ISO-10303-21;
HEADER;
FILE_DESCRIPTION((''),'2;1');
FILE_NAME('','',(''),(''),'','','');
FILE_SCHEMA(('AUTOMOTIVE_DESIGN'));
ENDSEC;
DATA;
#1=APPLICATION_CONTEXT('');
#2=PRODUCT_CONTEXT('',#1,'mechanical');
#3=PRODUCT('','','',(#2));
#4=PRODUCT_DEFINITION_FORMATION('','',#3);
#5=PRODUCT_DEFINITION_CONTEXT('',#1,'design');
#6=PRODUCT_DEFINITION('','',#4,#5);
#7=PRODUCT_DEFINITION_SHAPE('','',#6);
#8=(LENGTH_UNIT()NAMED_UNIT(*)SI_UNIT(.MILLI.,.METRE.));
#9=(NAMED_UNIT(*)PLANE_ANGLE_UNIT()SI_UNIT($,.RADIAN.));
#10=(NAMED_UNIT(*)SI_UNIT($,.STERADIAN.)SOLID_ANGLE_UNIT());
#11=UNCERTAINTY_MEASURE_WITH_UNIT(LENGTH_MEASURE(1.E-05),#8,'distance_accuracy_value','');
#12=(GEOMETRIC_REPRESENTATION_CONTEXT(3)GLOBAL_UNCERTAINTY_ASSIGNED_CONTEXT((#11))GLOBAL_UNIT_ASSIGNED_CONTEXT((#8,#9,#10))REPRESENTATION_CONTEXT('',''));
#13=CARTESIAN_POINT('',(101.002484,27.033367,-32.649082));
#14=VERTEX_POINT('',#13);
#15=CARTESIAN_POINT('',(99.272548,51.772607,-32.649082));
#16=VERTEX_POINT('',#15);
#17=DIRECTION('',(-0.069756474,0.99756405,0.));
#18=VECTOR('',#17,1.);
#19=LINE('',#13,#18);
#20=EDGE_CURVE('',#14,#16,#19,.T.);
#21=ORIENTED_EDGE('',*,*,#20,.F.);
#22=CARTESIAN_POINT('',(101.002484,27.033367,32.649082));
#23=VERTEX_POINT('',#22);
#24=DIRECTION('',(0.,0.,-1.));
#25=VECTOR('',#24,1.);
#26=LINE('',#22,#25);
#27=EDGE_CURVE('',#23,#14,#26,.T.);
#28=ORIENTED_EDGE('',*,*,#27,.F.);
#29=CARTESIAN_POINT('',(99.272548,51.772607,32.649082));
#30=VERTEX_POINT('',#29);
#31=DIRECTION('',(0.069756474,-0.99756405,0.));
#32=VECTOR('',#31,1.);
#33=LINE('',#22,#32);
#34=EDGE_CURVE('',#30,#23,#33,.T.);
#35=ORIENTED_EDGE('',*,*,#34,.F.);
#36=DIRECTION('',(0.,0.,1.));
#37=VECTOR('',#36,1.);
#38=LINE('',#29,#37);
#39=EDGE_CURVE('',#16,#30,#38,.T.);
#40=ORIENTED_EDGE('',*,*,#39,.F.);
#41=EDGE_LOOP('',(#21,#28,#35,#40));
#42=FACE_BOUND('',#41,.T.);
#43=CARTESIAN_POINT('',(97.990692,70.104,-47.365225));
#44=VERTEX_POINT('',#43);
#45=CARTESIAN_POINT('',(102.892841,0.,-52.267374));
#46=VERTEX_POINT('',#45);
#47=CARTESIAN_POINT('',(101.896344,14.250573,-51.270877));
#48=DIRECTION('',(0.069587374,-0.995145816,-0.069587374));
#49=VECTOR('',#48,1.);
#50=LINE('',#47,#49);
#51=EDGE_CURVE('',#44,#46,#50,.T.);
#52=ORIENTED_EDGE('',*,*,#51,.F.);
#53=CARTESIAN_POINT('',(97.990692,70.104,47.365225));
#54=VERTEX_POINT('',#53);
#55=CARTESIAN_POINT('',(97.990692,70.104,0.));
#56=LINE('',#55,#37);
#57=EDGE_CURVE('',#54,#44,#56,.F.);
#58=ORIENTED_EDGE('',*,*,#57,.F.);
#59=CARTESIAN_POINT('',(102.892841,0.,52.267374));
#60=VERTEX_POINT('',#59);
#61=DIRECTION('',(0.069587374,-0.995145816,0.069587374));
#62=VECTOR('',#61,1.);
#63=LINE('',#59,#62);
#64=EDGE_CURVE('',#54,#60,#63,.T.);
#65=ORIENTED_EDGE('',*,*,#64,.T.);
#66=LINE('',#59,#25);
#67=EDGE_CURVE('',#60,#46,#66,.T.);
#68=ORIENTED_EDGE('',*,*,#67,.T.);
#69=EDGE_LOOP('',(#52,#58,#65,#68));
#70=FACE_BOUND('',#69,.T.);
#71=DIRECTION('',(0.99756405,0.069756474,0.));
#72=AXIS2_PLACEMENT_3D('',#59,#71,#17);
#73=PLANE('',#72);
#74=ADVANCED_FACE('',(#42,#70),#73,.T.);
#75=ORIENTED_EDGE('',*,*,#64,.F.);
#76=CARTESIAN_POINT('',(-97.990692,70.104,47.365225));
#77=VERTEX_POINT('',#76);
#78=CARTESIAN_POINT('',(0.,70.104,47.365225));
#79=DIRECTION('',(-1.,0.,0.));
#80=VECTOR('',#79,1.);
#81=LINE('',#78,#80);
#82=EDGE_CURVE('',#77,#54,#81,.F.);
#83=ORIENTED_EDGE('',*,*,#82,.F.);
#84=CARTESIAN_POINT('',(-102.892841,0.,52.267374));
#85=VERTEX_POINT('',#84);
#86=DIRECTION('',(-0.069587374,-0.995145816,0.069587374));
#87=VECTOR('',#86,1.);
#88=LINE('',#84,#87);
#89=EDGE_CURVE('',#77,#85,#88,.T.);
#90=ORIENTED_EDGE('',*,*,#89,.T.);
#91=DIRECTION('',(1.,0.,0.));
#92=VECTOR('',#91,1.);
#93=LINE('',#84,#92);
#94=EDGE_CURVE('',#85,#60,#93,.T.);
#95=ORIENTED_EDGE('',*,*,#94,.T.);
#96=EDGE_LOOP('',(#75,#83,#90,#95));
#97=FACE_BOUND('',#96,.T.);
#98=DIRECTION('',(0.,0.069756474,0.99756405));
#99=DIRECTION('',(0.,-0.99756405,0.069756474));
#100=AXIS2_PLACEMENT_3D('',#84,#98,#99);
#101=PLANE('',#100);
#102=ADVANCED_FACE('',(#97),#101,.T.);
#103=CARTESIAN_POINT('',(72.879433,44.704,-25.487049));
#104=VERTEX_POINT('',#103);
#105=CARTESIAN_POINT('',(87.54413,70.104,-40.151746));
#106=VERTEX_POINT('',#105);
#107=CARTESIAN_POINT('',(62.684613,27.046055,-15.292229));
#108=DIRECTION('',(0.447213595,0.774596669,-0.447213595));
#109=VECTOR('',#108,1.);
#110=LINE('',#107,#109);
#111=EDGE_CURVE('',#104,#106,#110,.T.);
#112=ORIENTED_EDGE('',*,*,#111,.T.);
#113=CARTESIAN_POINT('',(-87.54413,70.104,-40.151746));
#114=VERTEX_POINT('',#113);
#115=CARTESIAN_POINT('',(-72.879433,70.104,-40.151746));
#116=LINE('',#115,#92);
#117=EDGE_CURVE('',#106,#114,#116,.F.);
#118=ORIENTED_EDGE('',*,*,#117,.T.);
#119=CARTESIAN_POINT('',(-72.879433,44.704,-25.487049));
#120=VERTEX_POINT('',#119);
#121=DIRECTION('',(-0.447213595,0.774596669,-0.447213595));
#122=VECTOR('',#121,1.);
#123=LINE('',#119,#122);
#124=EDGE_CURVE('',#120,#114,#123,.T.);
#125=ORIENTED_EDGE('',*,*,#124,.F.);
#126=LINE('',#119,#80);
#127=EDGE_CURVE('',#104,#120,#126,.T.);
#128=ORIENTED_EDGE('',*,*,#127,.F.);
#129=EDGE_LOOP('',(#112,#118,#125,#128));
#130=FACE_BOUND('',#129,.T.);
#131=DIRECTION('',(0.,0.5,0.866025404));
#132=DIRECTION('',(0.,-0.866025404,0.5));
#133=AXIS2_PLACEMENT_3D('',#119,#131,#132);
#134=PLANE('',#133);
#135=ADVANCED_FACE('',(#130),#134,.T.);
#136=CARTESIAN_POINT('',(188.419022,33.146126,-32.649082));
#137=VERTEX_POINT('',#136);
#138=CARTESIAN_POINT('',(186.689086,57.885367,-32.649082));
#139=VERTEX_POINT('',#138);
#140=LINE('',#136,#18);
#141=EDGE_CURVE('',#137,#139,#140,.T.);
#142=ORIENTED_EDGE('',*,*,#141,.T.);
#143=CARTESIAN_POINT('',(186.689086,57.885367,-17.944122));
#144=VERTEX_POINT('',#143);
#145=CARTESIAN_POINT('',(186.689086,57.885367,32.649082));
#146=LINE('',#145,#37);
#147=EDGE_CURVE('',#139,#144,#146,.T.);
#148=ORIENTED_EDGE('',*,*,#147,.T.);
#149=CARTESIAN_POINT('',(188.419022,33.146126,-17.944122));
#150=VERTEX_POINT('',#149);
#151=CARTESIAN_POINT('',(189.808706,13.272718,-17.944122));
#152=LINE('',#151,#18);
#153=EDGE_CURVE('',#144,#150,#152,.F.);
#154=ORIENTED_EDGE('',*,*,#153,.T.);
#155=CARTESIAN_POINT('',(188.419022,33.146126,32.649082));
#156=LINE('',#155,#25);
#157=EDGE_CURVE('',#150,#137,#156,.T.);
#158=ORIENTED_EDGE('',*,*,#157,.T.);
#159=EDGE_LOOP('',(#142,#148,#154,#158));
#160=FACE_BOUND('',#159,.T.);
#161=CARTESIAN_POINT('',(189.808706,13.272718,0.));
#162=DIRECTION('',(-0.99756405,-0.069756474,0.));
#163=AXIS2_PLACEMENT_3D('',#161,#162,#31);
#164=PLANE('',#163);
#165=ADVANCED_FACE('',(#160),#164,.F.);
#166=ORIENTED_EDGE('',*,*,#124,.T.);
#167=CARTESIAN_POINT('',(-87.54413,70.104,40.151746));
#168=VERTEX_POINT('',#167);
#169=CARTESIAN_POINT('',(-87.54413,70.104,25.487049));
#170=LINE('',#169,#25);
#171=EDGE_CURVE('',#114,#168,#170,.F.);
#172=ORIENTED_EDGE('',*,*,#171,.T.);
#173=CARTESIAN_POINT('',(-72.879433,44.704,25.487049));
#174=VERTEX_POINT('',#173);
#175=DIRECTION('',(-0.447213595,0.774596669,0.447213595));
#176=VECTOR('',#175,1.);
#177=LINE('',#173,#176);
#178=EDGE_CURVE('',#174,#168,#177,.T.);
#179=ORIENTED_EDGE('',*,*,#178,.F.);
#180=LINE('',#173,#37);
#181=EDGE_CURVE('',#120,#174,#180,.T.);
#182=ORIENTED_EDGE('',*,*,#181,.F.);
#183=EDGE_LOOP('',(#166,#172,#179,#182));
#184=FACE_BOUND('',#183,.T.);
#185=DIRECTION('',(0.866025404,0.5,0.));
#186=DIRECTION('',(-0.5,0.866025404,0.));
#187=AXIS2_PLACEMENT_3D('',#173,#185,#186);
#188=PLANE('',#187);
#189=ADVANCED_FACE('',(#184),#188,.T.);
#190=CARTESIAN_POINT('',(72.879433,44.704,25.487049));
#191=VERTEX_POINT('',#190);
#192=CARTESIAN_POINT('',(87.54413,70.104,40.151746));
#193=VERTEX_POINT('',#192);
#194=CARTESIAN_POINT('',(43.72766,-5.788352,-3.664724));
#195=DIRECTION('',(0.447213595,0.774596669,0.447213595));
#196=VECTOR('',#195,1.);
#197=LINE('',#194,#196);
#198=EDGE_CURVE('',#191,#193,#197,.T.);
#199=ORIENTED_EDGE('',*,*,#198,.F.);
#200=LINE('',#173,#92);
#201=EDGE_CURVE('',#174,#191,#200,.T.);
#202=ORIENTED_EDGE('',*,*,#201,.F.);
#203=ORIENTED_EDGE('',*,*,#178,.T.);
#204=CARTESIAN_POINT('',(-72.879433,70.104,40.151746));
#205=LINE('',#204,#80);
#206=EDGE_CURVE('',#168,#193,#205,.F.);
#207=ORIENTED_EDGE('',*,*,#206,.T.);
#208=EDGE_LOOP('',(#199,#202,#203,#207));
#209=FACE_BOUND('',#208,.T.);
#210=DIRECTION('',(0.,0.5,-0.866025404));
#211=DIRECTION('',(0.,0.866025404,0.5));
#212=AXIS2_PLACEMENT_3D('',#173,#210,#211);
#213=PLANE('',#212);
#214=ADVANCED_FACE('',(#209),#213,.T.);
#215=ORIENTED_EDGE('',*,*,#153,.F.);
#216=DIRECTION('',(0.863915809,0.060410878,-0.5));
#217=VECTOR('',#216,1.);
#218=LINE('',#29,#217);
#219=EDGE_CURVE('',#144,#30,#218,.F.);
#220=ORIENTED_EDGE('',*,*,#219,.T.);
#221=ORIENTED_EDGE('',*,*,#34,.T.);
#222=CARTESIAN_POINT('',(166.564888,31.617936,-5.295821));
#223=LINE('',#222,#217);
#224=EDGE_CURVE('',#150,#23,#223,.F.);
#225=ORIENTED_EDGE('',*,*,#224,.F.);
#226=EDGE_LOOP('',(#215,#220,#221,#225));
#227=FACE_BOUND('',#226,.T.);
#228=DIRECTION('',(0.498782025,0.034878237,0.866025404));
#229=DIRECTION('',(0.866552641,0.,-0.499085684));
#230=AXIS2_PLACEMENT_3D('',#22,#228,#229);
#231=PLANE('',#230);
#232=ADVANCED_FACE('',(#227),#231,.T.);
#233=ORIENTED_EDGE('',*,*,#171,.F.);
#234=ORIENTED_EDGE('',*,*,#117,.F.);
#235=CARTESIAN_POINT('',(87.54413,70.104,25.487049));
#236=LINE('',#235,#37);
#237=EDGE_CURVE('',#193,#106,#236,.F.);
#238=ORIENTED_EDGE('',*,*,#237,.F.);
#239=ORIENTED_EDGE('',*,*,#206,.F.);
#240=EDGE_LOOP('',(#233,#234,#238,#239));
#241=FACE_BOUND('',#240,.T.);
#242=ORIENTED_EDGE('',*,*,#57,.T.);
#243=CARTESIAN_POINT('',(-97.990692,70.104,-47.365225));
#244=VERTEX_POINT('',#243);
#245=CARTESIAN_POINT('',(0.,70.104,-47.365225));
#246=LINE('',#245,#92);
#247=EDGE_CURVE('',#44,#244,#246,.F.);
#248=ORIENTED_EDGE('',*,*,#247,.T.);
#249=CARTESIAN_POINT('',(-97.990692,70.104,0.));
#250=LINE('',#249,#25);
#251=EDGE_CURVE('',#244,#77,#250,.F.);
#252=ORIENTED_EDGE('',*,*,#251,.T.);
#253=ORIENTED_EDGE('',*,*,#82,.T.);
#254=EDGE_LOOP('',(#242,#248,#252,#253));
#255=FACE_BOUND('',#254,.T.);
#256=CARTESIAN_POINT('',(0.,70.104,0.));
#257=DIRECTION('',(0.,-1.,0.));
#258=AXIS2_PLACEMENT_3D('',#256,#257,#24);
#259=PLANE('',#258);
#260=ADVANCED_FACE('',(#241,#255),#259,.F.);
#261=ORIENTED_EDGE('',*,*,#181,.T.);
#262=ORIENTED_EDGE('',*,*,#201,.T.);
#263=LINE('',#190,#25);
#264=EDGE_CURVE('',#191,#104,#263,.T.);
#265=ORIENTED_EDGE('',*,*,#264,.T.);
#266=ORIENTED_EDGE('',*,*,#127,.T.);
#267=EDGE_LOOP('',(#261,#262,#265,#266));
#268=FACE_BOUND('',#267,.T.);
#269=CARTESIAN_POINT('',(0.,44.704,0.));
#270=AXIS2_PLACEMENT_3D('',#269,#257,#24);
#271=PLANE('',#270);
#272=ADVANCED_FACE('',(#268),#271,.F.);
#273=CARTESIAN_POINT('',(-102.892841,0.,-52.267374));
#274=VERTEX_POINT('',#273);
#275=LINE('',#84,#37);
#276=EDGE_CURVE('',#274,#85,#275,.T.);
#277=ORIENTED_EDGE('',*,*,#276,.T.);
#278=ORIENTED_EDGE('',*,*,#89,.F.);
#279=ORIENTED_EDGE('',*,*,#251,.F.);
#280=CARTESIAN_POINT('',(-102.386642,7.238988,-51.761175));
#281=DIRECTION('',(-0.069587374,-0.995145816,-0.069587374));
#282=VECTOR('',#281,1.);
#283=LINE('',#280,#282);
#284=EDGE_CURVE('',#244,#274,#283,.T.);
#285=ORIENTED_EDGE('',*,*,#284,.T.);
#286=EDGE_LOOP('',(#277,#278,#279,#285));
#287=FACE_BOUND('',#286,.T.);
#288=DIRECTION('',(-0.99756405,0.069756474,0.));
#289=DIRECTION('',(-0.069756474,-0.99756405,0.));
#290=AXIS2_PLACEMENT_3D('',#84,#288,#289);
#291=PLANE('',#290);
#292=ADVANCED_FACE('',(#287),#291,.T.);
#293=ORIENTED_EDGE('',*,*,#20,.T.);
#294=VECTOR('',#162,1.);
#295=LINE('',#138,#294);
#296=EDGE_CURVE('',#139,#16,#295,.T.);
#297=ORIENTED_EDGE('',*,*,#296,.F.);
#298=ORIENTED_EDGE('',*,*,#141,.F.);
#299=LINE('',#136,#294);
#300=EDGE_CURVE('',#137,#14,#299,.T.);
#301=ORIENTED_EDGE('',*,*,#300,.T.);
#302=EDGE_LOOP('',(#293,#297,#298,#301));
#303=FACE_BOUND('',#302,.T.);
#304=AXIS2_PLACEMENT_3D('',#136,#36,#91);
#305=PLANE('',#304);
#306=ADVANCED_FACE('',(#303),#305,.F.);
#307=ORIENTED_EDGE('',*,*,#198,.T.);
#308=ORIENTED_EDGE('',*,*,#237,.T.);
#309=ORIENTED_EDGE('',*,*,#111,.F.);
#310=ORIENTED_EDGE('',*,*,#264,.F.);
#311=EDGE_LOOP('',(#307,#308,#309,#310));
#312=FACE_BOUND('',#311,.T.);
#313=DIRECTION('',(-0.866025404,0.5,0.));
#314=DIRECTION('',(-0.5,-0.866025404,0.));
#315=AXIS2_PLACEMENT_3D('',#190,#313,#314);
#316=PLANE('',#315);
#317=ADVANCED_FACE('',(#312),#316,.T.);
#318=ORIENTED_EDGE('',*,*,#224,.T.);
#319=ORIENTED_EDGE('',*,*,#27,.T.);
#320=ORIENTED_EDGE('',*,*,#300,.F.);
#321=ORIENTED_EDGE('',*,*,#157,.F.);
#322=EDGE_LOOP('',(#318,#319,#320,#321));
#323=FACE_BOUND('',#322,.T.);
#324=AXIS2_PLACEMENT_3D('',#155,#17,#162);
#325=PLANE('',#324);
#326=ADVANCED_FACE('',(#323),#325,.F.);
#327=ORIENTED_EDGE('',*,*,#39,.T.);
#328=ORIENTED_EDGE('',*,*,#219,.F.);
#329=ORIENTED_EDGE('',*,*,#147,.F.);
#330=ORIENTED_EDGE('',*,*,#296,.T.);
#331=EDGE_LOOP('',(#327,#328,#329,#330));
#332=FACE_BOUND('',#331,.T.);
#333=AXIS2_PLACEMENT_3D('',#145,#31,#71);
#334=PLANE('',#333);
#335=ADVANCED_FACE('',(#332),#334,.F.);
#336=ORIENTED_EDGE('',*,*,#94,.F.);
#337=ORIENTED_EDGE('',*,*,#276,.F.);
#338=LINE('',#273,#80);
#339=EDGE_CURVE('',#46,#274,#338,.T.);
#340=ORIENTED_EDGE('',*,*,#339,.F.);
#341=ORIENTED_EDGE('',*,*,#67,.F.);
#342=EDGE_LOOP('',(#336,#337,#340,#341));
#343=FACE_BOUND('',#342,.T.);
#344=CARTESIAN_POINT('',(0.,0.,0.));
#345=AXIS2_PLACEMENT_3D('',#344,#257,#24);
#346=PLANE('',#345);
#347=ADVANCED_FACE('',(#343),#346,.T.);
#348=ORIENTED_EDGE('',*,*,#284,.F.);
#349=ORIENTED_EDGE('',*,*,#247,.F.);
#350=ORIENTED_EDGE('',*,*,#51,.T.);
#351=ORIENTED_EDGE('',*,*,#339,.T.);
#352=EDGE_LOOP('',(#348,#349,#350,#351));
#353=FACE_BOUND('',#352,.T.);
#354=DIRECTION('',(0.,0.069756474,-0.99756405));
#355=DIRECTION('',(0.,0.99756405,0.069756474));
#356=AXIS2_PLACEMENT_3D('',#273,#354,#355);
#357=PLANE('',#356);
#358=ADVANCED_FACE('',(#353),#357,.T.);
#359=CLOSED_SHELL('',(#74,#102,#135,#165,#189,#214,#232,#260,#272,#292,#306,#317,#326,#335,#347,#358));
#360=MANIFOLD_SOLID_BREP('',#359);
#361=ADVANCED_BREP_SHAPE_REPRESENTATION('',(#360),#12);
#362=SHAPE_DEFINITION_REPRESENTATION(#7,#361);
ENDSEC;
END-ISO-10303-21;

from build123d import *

# Parameters (mm, degrees)
SKETCH1_W           = 205.785682804
SKETCH1_H           = 104.534748446
BOSS_EXTRUDE1_DEPTH = 70.104
BOSS_EXTRUDE1_TAPER = 4
SKETCH2_W           = 145.758865666
SKETCH2_H           = 50.974097726
CUT_EXTRUDE1_DEPTH  = 25.4
SKETCH3_W           = 65.29816474
SKETCH3_H           = 24.799651417
BOSS_EXTRUDE2_DEPTH = 87.63
DRAFT1_ANGLE        = 30
DRAFT2_ANGLE        = 30


with BuildPart() as part:
    # Sketch1 → Boss-Extrude1 (new body)
    with BuildSketch(Plane(origin=(0, 0, 0), x_dir=(1, 0, 0), z_dir=(0, 1, 0))):
        Rectangle(SKETCH1_W, SKETCH1_H)
    extrude(amount=BOSS_EXTRUDE1_DEPTH, taper=BOSS_EXTRUDE1_TAPER)

    # Sketch2 → Cut-Extrude1 (cut)
    with BuildSketch(Plane(origin=(0, 70.104, 0), x_dir=(1, 0, 0), z_dir=(0, 1, 0))):
        Rectangle(SKETCH2_W, SKETCH2_H)
    extrude(amount=-CUT_EXTRUDE1_DEPTH, mode=Mode.SUBTRACT)

    # Sketch3 → Boss-Extrude2 (add)
    with BuildSketch(Plane(origin=(102.392168372, 7.159957902, 0), x_dir=(0, 0, -1), z_dir=(0.9975640502598242, 0.06975647374412534, 0))):
        with Locations((0, 32.321763147)):
            Rectangle(SKETCH3_W, SKETCH3_H)
    extrude(amount=BOSS_EXTRUDE2_DEPTH)

    # Draft1
    draft1_faces = [part.faces().sort_by_distance(p)[0] for p in [
        (0, 57.404, 25.487048863),
        (72.879432833, 57.404, 0),
        (0, 57.404, -25.487048863),
        (-72.879432833, 57.404, 0),
    ]]
    draft(draft1_faces, Plane.ZX.offset(44.704), DRAFT1_ANGLE)

    # Draft2
    draft2_faces = [part.faces().sort_by_distance(p)[0] for p in [
        (143.845785012, 42.459366756, 32.64908237),
    ]]
    draft(draft2_faces, Plane(origin=(102.892841402, 0, 52.267374223), x_dir=(-0.06975647374412534, 0.9975640502598243, 0), z_dir=(0.9975640502598243, 0.06975647374412534, 0)), DRAFT2_ANGLE)


solid = part.part
